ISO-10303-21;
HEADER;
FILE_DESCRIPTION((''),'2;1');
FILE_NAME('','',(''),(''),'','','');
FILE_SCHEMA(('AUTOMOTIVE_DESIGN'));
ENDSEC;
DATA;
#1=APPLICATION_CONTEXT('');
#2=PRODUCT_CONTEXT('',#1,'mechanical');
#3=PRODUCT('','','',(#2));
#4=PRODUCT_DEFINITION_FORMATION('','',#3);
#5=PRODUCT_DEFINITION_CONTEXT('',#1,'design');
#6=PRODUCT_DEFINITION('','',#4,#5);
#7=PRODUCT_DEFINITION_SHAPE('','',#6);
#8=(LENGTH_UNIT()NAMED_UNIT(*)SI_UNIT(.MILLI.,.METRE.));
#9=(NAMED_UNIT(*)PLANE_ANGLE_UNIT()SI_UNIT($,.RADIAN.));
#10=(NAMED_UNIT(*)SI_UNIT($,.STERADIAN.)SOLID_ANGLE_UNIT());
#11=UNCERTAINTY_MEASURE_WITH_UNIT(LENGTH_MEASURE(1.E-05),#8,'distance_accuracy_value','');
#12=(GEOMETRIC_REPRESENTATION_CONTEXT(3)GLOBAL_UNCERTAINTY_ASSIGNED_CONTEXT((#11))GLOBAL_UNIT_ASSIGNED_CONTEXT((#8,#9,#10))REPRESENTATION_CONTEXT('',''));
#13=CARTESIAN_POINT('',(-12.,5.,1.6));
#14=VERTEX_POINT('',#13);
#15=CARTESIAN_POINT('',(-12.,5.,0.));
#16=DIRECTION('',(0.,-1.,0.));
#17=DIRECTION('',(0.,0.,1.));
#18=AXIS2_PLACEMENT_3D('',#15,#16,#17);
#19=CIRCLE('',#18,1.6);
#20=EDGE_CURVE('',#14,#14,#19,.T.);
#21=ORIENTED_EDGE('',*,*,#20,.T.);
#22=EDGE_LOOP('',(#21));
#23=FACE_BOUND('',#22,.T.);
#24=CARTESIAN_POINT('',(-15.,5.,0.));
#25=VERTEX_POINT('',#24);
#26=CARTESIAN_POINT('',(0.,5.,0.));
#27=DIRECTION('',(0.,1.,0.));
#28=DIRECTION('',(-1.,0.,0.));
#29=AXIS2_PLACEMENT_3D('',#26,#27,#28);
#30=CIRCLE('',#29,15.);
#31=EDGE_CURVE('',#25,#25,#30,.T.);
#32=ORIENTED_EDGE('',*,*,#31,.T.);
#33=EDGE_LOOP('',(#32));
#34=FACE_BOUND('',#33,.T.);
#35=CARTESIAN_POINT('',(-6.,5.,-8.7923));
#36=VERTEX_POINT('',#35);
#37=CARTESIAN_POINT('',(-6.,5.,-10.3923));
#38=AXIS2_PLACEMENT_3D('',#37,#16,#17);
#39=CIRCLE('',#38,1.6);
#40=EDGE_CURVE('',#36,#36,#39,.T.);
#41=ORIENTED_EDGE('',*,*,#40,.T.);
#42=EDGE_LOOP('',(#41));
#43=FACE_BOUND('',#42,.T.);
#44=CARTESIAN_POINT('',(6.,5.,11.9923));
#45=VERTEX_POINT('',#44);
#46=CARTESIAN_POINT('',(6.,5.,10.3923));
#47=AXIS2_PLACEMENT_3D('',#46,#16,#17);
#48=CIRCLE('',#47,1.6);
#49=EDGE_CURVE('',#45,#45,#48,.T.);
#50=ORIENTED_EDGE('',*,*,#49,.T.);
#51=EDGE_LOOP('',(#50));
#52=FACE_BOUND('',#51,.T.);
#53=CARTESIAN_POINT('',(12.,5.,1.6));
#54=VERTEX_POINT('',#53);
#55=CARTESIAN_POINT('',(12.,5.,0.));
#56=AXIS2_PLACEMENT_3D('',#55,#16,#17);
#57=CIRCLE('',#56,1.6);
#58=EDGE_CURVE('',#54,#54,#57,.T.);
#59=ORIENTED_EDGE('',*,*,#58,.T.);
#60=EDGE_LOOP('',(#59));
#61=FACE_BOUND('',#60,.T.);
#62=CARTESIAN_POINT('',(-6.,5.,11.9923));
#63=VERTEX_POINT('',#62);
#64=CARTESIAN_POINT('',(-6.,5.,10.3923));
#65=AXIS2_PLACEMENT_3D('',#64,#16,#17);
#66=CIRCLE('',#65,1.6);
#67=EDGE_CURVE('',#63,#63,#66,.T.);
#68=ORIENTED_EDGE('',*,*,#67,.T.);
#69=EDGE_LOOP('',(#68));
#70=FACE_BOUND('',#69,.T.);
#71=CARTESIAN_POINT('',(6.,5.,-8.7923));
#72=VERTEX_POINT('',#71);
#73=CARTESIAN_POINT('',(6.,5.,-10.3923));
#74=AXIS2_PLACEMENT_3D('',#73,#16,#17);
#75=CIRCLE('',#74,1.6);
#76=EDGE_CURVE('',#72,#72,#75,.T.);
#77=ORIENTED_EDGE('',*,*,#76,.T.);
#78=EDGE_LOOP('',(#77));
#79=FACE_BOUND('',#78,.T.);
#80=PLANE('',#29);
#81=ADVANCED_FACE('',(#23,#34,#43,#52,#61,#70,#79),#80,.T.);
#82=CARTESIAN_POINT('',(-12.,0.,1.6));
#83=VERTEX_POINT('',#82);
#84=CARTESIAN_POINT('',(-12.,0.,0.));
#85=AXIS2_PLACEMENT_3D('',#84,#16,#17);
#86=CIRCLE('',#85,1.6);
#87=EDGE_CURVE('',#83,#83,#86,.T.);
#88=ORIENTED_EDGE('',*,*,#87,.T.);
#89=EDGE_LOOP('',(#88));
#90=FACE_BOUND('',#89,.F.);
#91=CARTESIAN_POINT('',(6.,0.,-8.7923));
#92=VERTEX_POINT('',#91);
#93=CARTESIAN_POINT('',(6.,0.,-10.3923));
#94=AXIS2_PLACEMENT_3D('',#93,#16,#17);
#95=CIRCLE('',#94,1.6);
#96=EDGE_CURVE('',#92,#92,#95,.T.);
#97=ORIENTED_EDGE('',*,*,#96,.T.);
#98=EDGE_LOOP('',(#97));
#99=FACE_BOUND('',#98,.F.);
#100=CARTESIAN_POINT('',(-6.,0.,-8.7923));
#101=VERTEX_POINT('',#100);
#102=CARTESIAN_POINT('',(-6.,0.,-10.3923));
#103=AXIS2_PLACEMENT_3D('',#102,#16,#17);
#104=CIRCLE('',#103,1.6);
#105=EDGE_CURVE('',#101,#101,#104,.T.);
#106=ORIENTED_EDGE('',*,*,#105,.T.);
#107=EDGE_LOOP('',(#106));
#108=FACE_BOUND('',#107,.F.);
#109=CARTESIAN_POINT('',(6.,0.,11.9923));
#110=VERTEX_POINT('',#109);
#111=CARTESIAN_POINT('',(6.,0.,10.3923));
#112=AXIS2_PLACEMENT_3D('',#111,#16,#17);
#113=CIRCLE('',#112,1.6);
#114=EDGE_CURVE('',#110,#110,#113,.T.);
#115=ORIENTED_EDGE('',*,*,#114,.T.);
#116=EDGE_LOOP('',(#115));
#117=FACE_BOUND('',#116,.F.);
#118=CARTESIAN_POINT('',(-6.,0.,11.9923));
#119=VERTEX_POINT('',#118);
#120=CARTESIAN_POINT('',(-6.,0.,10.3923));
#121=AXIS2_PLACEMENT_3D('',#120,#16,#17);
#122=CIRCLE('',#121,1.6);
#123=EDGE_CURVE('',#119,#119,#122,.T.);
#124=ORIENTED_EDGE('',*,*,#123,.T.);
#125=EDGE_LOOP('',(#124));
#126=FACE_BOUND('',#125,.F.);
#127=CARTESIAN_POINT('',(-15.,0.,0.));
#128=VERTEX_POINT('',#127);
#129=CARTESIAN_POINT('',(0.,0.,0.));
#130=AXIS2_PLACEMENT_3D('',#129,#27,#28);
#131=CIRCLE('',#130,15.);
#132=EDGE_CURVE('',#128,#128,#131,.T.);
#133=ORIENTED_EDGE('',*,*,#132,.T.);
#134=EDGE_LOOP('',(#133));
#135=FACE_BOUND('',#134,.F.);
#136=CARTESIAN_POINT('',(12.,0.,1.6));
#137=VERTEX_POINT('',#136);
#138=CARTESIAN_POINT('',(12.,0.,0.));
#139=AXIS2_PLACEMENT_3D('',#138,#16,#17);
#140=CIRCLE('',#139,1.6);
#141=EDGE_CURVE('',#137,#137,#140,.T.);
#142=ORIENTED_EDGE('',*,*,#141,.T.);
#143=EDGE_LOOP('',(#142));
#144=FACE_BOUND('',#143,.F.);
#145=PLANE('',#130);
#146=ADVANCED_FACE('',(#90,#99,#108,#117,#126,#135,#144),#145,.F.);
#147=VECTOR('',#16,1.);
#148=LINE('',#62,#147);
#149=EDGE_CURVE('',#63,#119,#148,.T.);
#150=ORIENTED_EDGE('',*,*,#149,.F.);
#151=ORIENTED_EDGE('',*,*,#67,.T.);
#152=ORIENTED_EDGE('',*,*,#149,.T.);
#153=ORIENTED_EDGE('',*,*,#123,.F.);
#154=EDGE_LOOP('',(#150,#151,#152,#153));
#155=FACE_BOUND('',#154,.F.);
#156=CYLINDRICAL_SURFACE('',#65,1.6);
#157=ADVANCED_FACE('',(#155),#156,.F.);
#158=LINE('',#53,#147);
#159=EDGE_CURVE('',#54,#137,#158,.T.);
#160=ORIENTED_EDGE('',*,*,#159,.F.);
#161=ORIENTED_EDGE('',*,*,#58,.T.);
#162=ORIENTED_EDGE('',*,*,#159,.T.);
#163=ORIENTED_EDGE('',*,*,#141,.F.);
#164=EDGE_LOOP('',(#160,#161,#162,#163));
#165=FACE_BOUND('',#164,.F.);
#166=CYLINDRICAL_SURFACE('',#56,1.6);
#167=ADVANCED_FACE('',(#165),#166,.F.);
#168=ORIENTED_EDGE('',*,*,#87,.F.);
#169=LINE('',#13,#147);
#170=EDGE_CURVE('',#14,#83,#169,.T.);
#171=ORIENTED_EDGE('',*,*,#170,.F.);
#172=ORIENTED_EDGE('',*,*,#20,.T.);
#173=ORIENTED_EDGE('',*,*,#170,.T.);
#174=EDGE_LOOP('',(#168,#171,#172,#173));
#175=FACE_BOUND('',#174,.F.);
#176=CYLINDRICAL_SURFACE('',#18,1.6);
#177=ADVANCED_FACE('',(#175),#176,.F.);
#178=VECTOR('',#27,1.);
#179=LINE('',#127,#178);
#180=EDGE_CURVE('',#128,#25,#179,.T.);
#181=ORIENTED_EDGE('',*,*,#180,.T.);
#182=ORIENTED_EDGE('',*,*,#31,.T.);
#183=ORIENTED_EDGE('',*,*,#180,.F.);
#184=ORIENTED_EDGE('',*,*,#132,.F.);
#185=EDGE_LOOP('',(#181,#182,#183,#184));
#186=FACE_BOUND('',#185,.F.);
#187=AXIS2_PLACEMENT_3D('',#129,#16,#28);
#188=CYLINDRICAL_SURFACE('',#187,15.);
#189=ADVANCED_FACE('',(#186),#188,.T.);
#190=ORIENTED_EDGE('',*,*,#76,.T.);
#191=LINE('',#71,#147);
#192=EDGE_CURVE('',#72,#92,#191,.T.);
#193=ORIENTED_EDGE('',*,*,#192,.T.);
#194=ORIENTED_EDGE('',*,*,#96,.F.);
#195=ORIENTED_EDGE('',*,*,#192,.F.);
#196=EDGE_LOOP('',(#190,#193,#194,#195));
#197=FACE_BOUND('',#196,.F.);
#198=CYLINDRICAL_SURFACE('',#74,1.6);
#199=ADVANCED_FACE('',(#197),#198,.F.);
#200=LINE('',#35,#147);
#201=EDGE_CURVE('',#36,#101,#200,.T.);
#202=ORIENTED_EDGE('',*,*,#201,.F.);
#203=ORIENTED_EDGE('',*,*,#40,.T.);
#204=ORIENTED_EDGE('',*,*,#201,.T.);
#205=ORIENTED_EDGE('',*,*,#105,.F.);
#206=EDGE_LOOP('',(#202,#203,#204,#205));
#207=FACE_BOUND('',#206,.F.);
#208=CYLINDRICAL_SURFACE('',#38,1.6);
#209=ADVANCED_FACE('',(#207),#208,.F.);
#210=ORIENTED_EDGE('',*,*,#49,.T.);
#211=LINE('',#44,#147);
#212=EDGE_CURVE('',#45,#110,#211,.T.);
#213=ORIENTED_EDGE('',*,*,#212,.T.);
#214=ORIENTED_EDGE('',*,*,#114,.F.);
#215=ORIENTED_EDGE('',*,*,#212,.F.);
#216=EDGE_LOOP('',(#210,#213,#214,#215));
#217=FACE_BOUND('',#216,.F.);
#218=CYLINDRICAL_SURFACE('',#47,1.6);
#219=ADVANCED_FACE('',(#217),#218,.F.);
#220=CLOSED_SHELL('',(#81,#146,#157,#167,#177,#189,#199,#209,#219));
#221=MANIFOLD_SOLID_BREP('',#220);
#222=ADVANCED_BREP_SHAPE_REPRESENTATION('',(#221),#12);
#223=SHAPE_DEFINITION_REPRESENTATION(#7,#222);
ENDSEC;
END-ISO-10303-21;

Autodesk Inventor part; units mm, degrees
ref_plane "YZ Plane" through (0, 0, 0) normal (1, 0, 0) x (0, 1, 0)
ref_plane "XZ Plane" through (0, 0, 0) normal (0, 1, 0) x (-1, 0, 0)
ref_plane "XY Plane" through (0, 0, 0) normal (0, 0, 1) x (1, 0, 0)
sketch "スケッチ1" plane through (0, 0, 0) normal (0, 1, 0) x (-1, 0, 0)
  circle A0 centre (0, 0) radius 15
  dimension "d0" = 30
extrude "押し出し1" add sketch "スケッチ1" along normal blind 5
sketch "スケッチ2" plane through (0, 5, 0) normal (0, 1, 0) x (1, 0, 0)
  circle A0 centre (0, 0) radius 12
  point P0 (-12, 0)
  point P1 (-6, -10.3923)
  point P2 (6, -10.3923)
  point P3 (12, 0)
  point P4 (6, 10.3923)
  point P5 (-6, 10.3923)
  dimension "d3" = 24
  dimension "d6" = 360
hole "穴1" at (-12, 5, 0) at (-6, 5, 10.3923) at (6, 5, 10.3923) at (12, 5, 0) at (6, 5, -10.3923) at (-6, 5, -10.3923) direction (0, -1, 0) diameter 3.2 end through all
properties part number "baseplate_forR2" material "アルミニウム 6061"
